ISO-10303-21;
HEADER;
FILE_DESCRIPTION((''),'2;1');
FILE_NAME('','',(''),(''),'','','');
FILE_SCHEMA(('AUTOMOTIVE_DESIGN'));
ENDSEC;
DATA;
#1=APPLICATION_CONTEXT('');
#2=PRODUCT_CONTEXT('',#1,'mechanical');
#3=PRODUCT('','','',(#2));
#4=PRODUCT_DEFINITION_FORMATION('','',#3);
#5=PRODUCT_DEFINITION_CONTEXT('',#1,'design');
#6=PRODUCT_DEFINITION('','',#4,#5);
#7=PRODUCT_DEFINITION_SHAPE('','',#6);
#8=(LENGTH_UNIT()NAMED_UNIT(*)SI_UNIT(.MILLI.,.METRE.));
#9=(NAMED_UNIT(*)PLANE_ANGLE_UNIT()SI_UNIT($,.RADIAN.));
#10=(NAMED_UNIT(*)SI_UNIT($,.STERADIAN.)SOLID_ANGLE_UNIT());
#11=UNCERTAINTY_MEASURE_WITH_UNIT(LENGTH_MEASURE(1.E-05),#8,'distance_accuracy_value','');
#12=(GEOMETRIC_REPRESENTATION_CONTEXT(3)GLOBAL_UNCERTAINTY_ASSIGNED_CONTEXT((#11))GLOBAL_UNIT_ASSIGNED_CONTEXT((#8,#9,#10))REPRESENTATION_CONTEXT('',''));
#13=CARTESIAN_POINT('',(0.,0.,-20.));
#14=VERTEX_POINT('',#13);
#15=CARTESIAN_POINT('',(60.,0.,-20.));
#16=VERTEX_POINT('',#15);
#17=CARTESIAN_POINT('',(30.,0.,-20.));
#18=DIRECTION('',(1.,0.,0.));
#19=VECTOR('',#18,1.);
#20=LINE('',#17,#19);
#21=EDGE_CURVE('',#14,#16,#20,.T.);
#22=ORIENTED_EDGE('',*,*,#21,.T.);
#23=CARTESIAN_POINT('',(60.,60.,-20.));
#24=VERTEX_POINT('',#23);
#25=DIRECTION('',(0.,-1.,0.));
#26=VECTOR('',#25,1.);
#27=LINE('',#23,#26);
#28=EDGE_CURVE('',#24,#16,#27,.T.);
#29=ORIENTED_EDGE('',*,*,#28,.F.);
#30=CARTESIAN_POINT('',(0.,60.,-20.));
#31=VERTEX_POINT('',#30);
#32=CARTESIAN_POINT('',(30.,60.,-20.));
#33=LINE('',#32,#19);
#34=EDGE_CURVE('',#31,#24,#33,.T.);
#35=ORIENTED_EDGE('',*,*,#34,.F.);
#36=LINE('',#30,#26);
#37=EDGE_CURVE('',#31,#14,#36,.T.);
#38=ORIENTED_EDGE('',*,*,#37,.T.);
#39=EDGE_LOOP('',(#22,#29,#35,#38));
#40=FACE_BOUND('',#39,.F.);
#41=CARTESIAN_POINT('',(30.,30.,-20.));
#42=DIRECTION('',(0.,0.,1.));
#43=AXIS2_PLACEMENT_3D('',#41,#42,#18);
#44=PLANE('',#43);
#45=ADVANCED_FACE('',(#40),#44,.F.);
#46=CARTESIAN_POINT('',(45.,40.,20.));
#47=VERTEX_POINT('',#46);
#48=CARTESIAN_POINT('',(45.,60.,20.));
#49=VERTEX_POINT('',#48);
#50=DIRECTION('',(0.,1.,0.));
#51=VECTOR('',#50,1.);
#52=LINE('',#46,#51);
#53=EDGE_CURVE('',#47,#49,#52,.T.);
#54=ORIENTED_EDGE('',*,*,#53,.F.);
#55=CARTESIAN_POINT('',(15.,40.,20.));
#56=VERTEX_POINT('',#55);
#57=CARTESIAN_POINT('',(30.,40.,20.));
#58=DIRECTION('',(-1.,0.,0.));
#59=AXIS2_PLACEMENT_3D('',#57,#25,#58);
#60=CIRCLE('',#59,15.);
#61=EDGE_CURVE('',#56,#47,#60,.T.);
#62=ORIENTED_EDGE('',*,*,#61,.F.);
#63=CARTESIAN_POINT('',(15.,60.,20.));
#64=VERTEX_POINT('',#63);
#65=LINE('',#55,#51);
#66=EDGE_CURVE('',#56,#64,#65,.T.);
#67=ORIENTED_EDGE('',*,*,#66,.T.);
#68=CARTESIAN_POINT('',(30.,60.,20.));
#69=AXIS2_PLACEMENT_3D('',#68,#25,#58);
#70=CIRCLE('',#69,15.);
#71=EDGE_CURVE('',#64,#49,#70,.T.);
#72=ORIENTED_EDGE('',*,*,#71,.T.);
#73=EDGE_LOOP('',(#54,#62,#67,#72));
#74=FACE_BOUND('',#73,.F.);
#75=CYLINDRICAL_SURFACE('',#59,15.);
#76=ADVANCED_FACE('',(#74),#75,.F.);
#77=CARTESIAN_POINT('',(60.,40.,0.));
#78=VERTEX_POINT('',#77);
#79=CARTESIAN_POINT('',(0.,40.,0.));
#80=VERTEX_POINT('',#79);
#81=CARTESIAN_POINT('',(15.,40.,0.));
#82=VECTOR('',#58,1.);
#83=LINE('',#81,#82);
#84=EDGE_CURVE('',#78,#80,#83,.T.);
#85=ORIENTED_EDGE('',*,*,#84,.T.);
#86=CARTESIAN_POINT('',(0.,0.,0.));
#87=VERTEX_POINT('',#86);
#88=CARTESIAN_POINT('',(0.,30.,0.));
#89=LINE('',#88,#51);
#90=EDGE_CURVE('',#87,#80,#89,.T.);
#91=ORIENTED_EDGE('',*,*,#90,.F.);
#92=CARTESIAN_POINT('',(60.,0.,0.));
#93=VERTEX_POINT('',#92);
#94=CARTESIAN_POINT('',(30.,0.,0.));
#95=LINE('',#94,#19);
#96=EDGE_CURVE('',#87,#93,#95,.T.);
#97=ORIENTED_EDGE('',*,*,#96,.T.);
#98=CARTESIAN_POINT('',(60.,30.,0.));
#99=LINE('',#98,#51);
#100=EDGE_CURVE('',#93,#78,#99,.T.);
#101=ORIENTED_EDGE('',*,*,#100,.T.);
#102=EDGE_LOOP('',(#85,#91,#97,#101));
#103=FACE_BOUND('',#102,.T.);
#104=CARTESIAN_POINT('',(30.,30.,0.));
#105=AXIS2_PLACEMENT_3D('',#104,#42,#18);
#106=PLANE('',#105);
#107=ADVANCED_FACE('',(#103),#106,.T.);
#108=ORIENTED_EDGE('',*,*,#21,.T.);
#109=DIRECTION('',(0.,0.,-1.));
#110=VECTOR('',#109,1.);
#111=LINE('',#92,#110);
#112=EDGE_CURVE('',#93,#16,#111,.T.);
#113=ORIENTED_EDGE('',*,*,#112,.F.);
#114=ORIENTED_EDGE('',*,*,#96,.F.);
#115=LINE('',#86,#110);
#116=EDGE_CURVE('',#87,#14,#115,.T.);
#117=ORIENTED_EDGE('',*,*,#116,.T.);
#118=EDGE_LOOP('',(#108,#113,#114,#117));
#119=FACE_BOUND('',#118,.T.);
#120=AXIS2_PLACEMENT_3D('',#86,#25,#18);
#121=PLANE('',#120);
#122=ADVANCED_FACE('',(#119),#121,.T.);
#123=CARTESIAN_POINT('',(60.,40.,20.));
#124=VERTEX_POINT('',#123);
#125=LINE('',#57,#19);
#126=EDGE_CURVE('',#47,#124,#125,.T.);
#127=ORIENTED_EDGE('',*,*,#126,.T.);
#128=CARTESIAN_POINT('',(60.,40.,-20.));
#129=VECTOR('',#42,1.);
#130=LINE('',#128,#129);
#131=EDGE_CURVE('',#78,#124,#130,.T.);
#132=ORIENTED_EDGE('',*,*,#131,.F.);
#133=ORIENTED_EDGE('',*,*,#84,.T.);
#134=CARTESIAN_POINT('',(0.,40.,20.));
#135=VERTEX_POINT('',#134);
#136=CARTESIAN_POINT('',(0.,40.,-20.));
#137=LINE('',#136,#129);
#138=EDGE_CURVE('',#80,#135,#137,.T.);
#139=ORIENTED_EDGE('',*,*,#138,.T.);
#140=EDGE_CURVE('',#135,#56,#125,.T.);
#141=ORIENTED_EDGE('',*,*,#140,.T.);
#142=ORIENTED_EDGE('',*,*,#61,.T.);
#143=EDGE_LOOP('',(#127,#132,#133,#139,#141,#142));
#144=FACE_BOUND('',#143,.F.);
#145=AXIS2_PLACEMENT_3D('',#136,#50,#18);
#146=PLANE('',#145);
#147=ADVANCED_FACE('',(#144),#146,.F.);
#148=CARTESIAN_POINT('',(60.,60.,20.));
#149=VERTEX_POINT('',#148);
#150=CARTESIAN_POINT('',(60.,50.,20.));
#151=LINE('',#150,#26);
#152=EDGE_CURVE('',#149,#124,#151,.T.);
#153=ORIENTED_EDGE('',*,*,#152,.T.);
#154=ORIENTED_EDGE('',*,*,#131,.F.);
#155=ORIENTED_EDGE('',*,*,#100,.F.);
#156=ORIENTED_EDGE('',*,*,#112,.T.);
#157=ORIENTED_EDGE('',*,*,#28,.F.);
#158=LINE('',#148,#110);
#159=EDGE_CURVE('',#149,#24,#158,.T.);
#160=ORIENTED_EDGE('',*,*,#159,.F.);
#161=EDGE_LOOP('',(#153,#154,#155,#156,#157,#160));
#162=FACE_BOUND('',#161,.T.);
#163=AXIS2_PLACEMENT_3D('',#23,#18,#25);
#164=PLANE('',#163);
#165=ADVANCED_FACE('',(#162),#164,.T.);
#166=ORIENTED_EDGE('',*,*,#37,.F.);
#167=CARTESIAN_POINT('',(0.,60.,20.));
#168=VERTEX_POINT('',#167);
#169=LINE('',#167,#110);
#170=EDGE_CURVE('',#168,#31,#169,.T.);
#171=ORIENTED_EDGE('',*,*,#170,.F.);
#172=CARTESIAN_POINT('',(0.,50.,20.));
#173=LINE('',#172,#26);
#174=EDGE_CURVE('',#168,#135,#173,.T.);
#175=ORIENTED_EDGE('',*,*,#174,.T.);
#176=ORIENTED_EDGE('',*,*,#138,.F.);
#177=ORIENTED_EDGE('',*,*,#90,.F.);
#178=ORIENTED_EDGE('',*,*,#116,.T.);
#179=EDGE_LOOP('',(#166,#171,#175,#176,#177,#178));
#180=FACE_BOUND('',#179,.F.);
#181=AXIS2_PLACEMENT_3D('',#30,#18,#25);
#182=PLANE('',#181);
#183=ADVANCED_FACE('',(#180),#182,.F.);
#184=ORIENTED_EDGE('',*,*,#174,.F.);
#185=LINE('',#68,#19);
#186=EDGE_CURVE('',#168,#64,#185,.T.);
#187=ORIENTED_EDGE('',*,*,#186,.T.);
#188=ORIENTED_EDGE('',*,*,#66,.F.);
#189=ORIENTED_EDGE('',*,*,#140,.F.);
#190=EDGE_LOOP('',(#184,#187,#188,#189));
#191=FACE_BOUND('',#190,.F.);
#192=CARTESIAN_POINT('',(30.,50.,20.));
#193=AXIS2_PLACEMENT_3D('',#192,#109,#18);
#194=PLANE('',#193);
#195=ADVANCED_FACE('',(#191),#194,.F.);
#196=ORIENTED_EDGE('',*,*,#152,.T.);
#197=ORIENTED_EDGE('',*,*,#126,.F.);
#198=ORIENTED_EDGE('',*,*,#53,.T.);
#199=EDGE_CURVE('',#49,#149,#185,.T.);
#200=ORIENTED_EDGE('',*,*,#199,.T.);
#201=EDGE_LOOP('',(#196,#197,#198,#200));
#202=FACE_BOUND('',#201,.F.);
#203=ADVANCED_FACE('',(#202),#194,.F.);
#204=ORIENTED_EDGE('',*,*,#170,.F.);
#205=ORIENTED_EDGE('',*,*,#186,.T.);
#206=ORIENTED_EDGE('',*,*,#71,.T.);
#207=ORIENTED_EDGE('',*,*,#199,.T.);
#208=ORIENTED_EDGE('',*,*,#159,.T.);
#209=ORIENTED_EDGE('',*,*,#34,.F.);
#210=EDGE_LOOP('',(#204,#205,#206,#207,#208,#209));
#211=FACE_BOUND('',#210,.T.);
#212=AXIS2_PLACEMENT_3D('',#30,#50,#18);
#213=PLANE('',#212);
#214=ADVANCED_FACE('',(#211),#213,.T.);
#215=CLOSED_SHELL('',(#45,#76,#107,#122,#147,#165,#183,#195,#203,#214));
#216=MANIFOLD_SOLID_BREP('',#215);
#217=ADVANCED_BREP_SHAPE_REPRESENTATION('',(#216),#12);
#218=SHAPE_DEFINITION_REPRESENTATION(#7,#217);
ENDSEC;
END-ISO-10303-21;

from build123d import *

# Parameters (mm, degrees)
F0_W     = 60
F0_H     = 60
F1_DEPTH = 20
F2_W     = 60
F2_H     = 20
F3_DEPTH = 40
F5_DEPTH = 25


with BuildPart() as f1:
    # F0 (on Top) → F1 (new body)
    with BuildSketch(Plane.XY):
        with Locations((30, 30)):
            Rectangle(F0_W, F0_H)
    extrude(amount=-F1_DEPTH)

    # F2 (on face) → F3 (join)
    with BuildSketch(Plane(origin=(0, 0, -20), x_dir=(1, 0, 0), z_dir=(0, 0, -1))):
        with Locations((30, -50)):
            Rectangle(F2_W, F2_H)
    extrude(amount=-F3_DEPTH)

    # F4 (on face) → F5 (cut)
    with BuildSketch(Plane.XZ.offset(-40)):
        with BuildLine():
            Line((45, 20), (15, 20))
            ThreePointArc((15, 20), (30, 5), (45, 20))
        make_face()
    extrude(amount=-F5_DEPTH, mode=Mode.SUBTRACT)


solid = f1.part
